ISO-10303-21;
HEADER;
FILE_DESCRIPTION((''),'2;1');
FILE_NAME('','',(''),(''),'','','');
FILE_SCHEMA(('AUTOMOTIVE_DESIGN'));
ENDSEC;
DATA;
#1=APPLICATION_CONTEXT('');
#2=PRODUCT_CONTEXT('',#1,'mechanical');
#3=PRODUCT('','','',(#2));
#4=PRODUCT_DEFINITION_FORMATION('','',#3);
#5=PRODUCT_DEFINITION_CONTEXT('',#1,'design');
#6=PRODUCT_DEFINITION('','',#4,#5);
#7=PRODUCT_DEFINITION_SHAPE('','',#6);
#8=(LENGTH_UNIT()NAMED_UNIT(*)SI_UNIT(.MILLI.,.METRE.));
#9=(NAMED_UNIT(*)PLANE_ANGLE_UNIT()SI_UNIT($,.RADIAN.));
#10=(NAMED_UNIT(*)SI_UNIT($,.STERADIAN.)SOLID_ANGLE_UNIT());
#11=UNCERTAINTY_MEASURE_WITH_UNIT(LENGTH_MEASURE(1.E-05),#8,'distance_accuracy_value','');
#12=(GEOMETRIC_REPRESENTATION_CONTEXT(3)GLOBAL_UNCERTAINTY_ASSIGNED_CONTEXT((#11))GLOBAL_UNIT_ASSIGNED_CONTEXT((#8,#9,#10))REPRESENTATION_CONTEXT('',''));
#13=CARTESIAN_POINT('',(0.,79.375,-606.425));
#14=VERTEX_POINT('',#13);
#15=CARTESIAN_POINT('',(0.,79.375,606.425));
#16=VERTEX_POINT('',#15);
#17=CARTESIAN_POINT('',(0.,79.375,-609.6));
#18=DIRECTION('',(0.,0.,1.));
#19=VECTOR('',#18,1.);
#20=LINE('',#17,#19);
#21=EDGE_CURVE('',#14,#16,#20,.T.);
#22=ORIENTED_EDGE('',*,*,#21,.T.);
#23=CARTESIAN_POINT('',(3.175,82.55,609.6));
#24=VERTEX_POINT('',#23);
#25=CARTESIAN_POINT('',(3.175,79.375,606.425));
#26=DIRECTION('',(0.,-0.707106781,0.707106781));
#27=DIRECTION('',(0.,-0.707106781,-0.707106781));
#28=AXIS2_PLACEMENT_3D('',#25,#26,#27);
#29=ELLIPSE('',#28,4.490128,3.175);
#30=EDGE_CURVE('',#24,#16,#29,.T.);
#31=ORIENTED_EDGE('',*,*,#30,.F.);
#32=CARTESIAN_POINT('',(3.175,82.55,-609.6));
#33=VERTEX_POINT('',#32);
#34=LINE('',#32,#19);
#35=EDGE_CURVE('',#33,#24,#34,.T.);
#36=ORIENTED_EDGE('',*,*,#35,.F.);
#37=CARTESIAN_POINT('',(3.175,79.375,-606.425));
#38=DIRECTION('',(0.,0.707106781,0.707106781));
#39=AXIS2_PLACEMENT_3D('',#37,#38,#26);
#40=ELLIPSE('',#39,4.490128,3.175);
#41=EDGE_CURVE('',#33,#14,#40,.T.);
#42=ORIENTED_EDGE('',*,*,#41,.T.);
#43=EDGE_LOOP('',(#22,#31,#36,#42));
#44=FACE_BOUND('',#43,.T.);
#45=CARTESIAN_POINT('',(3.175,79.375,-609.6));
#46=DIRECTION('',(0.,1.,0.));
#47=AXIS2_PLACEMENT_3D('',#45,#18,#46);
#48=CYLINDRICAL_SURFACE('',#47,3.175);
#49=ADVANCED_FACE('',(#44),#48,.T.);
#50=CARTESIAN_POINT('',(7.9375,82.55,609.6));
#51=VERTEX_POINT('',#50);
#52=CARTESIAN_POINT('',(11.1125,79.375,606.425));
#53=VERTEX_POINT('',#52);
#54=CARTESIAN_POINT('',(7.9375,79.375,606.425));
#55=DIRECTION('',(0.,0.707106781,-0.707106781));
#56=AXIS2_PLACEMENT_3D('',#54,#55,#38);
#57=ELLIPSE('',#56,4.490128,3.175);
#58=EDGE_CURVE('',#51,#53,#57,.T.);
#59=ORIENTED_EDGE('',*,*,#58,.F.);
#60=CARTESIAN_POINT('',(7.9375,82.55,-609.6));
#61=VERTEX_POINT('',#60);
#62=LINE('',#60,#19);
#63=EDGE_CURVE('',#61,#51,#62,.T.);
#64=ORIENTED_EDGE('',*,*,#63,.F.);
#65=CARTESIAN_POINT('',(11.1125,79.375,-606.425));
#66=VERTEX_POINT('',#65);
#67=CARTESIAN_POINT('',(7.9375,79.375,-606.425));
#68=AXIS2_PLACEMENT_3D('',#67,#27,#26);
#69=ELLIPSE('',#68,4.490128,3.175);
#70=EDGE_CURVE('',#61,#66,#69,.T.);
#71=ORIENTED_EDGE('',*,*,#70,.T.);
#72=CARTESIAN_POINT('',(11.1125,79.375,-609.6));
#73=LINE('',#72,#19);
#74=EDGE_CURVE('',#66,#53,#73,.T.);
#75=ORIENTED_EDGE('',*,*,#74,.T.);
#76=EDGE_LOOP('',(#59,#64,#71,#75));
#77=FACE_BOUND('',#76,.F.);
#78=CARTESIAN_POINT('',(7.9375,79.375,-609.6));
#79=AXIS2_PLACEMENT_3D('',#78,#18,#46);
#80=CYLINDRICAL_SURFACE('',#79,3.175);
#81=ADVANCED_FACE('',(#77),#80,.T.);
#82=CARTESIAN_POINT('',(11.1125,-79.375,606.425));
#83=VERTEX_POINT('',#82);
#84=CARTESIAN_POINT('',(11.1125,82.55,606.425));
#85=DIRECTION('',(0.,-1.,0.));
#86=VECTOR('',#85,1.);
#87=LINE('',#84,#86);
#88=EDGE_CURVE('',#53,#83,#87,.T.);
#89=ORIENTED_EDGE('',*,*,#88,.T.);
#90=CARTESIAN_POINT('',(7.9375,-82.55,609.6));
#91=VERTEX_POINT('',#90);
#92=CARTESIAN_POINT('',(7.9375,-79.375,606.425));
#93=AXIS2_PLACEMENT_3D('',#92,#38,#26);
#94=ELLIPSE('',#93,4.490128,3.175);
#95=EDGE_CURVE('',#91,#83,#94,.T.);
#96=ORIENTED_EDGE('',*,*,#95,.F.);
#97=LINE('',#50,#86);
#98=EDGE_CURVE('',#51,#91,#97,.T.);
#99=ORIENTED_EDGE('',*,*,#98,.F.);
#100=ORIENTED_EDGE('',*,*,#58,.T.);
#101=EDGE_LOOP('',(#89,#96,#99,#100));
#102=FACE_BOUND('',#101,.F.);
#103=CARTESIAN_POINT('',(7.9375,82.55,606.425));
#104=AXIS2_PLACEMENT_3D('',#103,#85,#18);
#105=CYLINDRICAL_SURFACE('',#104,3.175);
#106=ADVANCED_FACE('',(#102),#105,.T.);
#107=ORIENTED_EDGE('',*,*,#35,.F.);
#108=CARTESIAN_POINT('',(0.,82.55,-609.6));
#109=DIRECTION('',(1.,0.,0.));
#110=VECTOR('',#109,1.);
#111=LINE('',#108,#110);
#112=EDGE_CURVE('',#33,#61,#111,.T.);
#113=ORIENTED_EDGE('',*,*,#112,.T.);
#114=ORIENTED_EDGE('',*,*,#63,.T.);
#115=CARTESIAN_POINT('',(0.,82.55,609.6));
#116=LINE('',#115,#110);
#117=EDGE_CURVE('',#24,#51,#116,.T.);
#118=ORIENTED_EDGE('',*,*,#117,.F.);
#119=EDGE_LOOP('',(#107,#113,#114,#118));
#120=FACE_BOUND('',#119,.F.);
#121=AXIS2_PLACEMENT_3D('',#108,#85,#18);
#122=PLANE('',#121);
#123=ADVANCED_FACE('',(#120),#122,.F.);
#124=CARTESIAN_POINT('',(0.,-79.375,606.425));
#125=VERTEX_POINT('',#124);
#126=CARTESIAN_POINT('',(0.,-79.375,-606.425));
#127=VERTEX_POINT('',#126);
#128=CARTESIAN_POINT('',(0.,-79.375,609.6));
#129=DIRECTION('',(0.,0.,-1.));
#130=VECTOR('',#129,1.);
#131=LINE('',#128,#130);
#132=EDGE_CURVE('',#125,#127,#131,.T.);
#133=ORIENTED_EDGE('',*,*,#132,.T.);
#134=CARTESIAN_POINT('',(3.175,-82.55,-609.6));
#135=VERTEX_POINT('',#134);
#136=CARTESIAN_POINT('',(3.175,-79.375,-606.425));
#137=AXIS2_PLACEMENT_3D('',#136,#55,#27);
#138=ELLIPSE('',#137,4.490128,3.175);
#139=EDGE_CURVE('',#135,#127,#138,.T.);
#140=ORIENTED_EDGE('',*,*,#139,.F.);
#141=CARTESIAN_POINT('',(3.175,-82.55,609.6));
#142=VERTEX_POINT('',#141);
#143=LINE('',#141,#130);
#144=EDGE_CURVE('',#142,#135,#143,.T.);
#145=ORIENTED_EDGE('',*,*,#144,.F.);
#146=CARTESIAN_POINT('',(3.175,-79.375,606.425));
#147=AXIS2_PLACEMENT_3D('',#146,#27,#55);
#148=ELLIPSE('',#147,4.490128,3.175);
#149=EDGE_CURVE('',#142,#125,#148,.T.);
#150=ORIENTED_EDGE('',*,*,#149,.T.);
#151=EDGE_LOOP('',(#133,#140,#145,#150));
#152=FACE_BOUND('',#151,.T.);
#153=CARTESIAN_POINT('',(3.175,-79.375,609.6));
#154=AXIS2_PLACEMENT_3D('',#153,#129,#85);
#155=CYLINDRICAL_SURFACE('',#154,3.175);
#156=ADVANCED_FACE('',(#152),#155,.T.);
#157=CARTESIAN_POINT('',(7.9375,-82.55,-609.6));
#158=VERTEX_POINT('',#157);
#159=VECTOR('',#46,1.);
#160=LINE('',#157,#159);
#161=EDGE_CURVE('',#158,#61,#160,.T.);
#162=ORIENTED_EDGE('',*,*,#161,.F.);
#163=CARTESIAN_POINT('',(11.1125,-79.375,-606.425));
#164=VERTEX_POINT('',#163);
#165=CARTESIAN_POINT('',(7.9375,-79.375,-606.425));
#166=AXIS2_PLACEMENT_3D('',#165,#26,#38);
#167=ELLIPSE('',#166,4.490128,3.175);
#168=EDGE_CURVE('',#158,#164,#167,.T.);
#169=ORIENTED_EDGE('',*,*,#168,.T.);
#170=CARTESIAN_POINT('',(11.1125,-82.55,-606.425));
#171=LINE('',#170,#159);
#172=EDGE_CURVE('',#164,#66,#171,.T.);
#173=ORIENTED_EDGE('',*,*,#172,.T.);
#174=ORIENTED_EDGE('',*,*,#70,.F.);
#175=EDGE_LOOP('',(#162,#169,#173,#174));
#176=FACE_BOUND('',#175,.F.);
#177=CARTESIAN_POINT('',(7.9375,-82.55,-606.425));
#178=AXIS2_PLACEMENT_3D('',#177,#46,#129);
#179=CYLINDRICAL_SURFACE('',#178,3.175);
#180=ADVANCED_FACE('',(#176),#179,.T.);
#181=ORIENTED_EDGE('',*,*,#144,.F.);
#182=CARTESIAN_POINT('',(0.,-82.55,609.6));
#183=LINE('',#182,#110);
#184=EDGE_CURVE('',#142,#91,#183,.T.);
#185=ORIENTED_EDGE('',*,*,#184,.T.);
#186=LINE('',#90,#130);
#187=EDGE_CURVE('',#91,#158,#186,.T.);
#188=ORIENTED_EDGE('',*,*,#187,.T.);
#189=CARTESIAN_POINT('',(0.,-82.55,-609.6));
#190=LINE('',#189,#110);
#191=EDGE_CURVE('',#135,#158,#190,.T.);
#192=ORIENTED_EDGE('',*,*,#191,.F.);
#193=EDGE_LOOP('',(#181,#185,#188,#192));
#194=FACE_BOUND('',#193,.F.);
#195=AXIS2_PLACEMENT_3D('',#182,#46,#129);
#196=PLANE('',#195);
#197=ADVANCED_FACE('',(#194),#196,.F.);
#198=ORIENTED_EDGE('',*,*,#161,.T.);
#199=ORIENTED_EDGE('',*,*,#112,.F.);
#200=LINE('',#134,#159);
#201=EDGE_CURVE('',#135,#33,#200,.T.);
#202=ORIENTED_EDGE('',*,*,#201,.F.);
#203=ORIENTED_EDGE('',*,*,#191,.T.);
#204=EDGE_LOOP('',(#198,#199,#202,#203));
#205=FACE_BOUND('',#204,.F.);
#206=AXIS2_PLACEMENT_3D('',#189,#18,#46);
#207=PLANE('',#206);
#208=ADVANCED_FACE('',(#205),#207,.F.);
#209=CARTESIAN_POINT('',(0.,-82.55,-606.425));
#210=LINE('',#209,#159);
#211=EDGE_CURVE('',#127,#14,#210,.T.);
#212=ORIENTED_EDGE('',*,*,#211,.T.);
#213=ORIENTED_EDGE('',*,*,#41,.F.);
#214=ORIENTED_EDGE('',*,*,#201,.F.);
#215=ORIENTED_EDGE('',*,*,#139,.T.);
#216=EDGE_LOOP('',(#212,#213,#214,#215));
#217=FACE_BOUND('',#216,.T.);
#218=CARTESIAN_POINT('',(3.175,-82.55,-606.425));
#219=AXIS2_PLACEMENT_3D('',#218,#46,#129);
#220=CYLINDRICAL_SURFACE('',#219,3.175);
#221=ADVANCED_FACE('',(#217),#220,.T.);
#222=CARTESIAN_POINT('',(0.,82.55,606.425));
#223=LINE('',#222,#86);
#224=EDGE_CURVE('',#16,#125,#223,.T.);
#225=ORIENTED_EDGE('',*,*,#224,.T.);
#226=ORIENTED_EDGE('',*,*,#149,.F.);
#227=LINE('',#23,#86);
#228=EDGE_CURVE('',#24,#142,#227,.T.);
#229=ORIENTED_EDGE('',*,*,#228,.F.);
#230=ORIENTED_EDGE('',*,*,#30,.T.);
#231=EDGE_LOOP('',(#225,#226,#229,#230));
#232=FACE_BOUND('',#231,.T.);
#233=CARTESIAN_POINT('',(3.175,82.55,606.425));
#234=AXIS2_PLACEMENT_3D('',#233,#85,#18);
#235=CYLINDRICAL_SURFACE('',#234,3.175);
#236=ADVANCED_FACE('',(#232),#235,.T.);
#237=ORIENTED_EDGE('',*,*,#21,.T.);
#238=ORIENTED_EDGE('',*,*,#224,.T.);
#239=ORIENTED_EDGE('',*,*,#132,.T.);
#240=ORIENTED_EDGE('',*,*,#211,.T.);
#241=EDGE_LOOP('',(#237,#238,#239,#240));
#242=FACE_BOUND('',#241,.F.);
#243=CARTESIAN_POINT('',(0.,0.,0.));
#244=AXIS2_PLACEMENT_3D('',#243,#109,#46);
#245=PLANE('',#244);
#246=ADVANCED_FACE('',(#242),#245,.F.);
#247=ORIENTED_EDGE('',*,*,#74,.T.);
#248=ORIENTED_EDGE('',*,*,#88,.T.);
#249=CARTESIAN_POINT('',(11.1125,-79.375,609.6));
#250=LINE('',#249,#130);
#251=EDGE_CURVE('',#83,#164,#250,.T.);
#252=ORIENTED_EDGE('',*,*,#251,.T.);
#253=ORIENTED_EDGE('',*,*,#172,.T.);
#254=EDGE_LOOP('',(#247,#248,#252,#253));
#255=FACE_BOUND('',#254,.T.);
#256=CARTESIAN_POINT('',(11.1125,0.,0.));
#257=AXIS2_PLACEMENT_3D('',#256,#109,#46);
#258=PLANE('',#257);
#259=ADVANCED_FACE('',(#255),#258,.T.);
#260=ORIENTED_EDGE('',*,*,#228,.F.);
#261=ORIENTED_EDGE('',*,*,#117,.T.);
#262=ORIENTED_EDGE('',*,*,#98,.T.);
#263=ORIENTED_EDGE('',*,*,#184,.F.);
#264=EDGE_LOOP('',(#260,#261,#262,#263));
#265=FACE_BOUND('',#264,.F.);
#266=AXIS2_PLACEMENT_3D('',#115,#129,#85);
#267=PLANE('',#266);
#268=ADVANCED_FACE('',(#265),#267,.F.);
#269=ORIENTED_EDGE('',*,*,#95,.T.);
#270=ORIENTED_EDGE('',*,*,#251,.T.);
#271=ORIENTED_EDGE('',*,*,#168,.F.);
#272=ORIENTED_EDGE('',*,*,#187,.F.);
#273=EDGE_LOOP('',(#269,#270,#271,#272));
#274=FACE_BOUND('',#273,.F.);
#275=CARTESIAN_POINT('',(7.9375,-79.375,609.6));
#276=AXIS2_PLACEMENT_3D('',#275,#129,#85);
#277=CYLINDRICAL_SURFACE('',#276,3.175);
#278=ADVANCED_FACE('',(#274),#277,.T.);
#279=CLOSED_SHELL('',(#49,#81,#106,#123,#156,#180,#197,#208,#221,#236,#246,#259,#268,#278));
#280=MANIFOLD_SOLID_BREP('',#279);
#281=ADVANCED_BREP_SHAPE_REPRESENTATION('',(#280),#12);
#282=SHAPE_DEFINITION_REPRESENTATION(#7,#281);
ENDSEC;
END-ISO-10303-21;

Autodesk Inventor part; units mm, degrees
ref_plane "YZ Plane" through (0, 0, 0) normal (1, 0, 0) x (0, 1, 0)
ref_plane "XZ Plane" through (0, 0, 0) normal (0, 1, 0) x (-1, 0, 0)
ref_plane "XY Plane" through (0, 0, 0) normal (0, 0, 1) x (1, 0, 0)
sketch "Sketch1" plane through (0, 0, 0) normal (1, 0, 0) x (0, 1, 0)
  line L0 (-82.55, 609.6) -> (-82.55, -609.6)
  line L1 (-82.55, -609.6) -> (82.55, -609.6)
  line L2 (82.55, -609.6) -> (82.55, 609.6)
  line L3 (82.55, 609.6) -> (-82.55, 609.6)
  line L4 (-82.55, 609.6) -> (82.55, -609.6) construction
  line L5 (-82.55, -609.6) -> (82.55, 609.6) construction
  point P0 (0, 0)
  dimension "d0" = 1219.2
  dimension "d1" = 165.1
extrude "Extrusion1" add sketch "Sketch1" along normal blind 11.1125
fillet "Fillet1" radius 3.175 8 edges at (11.1125, 82.55, 0) (11.1125, 0, 609.6) (0, -82.55, 0) (11.1125, 0, -609.6) (11.1125, -82.55, 0) (0, 0, 609.6) (0, 82.55, 0) (0, 0, -609.6)
properties part number "Home Depot Composite Slat 48 in" material "Wood (Cherry)"
